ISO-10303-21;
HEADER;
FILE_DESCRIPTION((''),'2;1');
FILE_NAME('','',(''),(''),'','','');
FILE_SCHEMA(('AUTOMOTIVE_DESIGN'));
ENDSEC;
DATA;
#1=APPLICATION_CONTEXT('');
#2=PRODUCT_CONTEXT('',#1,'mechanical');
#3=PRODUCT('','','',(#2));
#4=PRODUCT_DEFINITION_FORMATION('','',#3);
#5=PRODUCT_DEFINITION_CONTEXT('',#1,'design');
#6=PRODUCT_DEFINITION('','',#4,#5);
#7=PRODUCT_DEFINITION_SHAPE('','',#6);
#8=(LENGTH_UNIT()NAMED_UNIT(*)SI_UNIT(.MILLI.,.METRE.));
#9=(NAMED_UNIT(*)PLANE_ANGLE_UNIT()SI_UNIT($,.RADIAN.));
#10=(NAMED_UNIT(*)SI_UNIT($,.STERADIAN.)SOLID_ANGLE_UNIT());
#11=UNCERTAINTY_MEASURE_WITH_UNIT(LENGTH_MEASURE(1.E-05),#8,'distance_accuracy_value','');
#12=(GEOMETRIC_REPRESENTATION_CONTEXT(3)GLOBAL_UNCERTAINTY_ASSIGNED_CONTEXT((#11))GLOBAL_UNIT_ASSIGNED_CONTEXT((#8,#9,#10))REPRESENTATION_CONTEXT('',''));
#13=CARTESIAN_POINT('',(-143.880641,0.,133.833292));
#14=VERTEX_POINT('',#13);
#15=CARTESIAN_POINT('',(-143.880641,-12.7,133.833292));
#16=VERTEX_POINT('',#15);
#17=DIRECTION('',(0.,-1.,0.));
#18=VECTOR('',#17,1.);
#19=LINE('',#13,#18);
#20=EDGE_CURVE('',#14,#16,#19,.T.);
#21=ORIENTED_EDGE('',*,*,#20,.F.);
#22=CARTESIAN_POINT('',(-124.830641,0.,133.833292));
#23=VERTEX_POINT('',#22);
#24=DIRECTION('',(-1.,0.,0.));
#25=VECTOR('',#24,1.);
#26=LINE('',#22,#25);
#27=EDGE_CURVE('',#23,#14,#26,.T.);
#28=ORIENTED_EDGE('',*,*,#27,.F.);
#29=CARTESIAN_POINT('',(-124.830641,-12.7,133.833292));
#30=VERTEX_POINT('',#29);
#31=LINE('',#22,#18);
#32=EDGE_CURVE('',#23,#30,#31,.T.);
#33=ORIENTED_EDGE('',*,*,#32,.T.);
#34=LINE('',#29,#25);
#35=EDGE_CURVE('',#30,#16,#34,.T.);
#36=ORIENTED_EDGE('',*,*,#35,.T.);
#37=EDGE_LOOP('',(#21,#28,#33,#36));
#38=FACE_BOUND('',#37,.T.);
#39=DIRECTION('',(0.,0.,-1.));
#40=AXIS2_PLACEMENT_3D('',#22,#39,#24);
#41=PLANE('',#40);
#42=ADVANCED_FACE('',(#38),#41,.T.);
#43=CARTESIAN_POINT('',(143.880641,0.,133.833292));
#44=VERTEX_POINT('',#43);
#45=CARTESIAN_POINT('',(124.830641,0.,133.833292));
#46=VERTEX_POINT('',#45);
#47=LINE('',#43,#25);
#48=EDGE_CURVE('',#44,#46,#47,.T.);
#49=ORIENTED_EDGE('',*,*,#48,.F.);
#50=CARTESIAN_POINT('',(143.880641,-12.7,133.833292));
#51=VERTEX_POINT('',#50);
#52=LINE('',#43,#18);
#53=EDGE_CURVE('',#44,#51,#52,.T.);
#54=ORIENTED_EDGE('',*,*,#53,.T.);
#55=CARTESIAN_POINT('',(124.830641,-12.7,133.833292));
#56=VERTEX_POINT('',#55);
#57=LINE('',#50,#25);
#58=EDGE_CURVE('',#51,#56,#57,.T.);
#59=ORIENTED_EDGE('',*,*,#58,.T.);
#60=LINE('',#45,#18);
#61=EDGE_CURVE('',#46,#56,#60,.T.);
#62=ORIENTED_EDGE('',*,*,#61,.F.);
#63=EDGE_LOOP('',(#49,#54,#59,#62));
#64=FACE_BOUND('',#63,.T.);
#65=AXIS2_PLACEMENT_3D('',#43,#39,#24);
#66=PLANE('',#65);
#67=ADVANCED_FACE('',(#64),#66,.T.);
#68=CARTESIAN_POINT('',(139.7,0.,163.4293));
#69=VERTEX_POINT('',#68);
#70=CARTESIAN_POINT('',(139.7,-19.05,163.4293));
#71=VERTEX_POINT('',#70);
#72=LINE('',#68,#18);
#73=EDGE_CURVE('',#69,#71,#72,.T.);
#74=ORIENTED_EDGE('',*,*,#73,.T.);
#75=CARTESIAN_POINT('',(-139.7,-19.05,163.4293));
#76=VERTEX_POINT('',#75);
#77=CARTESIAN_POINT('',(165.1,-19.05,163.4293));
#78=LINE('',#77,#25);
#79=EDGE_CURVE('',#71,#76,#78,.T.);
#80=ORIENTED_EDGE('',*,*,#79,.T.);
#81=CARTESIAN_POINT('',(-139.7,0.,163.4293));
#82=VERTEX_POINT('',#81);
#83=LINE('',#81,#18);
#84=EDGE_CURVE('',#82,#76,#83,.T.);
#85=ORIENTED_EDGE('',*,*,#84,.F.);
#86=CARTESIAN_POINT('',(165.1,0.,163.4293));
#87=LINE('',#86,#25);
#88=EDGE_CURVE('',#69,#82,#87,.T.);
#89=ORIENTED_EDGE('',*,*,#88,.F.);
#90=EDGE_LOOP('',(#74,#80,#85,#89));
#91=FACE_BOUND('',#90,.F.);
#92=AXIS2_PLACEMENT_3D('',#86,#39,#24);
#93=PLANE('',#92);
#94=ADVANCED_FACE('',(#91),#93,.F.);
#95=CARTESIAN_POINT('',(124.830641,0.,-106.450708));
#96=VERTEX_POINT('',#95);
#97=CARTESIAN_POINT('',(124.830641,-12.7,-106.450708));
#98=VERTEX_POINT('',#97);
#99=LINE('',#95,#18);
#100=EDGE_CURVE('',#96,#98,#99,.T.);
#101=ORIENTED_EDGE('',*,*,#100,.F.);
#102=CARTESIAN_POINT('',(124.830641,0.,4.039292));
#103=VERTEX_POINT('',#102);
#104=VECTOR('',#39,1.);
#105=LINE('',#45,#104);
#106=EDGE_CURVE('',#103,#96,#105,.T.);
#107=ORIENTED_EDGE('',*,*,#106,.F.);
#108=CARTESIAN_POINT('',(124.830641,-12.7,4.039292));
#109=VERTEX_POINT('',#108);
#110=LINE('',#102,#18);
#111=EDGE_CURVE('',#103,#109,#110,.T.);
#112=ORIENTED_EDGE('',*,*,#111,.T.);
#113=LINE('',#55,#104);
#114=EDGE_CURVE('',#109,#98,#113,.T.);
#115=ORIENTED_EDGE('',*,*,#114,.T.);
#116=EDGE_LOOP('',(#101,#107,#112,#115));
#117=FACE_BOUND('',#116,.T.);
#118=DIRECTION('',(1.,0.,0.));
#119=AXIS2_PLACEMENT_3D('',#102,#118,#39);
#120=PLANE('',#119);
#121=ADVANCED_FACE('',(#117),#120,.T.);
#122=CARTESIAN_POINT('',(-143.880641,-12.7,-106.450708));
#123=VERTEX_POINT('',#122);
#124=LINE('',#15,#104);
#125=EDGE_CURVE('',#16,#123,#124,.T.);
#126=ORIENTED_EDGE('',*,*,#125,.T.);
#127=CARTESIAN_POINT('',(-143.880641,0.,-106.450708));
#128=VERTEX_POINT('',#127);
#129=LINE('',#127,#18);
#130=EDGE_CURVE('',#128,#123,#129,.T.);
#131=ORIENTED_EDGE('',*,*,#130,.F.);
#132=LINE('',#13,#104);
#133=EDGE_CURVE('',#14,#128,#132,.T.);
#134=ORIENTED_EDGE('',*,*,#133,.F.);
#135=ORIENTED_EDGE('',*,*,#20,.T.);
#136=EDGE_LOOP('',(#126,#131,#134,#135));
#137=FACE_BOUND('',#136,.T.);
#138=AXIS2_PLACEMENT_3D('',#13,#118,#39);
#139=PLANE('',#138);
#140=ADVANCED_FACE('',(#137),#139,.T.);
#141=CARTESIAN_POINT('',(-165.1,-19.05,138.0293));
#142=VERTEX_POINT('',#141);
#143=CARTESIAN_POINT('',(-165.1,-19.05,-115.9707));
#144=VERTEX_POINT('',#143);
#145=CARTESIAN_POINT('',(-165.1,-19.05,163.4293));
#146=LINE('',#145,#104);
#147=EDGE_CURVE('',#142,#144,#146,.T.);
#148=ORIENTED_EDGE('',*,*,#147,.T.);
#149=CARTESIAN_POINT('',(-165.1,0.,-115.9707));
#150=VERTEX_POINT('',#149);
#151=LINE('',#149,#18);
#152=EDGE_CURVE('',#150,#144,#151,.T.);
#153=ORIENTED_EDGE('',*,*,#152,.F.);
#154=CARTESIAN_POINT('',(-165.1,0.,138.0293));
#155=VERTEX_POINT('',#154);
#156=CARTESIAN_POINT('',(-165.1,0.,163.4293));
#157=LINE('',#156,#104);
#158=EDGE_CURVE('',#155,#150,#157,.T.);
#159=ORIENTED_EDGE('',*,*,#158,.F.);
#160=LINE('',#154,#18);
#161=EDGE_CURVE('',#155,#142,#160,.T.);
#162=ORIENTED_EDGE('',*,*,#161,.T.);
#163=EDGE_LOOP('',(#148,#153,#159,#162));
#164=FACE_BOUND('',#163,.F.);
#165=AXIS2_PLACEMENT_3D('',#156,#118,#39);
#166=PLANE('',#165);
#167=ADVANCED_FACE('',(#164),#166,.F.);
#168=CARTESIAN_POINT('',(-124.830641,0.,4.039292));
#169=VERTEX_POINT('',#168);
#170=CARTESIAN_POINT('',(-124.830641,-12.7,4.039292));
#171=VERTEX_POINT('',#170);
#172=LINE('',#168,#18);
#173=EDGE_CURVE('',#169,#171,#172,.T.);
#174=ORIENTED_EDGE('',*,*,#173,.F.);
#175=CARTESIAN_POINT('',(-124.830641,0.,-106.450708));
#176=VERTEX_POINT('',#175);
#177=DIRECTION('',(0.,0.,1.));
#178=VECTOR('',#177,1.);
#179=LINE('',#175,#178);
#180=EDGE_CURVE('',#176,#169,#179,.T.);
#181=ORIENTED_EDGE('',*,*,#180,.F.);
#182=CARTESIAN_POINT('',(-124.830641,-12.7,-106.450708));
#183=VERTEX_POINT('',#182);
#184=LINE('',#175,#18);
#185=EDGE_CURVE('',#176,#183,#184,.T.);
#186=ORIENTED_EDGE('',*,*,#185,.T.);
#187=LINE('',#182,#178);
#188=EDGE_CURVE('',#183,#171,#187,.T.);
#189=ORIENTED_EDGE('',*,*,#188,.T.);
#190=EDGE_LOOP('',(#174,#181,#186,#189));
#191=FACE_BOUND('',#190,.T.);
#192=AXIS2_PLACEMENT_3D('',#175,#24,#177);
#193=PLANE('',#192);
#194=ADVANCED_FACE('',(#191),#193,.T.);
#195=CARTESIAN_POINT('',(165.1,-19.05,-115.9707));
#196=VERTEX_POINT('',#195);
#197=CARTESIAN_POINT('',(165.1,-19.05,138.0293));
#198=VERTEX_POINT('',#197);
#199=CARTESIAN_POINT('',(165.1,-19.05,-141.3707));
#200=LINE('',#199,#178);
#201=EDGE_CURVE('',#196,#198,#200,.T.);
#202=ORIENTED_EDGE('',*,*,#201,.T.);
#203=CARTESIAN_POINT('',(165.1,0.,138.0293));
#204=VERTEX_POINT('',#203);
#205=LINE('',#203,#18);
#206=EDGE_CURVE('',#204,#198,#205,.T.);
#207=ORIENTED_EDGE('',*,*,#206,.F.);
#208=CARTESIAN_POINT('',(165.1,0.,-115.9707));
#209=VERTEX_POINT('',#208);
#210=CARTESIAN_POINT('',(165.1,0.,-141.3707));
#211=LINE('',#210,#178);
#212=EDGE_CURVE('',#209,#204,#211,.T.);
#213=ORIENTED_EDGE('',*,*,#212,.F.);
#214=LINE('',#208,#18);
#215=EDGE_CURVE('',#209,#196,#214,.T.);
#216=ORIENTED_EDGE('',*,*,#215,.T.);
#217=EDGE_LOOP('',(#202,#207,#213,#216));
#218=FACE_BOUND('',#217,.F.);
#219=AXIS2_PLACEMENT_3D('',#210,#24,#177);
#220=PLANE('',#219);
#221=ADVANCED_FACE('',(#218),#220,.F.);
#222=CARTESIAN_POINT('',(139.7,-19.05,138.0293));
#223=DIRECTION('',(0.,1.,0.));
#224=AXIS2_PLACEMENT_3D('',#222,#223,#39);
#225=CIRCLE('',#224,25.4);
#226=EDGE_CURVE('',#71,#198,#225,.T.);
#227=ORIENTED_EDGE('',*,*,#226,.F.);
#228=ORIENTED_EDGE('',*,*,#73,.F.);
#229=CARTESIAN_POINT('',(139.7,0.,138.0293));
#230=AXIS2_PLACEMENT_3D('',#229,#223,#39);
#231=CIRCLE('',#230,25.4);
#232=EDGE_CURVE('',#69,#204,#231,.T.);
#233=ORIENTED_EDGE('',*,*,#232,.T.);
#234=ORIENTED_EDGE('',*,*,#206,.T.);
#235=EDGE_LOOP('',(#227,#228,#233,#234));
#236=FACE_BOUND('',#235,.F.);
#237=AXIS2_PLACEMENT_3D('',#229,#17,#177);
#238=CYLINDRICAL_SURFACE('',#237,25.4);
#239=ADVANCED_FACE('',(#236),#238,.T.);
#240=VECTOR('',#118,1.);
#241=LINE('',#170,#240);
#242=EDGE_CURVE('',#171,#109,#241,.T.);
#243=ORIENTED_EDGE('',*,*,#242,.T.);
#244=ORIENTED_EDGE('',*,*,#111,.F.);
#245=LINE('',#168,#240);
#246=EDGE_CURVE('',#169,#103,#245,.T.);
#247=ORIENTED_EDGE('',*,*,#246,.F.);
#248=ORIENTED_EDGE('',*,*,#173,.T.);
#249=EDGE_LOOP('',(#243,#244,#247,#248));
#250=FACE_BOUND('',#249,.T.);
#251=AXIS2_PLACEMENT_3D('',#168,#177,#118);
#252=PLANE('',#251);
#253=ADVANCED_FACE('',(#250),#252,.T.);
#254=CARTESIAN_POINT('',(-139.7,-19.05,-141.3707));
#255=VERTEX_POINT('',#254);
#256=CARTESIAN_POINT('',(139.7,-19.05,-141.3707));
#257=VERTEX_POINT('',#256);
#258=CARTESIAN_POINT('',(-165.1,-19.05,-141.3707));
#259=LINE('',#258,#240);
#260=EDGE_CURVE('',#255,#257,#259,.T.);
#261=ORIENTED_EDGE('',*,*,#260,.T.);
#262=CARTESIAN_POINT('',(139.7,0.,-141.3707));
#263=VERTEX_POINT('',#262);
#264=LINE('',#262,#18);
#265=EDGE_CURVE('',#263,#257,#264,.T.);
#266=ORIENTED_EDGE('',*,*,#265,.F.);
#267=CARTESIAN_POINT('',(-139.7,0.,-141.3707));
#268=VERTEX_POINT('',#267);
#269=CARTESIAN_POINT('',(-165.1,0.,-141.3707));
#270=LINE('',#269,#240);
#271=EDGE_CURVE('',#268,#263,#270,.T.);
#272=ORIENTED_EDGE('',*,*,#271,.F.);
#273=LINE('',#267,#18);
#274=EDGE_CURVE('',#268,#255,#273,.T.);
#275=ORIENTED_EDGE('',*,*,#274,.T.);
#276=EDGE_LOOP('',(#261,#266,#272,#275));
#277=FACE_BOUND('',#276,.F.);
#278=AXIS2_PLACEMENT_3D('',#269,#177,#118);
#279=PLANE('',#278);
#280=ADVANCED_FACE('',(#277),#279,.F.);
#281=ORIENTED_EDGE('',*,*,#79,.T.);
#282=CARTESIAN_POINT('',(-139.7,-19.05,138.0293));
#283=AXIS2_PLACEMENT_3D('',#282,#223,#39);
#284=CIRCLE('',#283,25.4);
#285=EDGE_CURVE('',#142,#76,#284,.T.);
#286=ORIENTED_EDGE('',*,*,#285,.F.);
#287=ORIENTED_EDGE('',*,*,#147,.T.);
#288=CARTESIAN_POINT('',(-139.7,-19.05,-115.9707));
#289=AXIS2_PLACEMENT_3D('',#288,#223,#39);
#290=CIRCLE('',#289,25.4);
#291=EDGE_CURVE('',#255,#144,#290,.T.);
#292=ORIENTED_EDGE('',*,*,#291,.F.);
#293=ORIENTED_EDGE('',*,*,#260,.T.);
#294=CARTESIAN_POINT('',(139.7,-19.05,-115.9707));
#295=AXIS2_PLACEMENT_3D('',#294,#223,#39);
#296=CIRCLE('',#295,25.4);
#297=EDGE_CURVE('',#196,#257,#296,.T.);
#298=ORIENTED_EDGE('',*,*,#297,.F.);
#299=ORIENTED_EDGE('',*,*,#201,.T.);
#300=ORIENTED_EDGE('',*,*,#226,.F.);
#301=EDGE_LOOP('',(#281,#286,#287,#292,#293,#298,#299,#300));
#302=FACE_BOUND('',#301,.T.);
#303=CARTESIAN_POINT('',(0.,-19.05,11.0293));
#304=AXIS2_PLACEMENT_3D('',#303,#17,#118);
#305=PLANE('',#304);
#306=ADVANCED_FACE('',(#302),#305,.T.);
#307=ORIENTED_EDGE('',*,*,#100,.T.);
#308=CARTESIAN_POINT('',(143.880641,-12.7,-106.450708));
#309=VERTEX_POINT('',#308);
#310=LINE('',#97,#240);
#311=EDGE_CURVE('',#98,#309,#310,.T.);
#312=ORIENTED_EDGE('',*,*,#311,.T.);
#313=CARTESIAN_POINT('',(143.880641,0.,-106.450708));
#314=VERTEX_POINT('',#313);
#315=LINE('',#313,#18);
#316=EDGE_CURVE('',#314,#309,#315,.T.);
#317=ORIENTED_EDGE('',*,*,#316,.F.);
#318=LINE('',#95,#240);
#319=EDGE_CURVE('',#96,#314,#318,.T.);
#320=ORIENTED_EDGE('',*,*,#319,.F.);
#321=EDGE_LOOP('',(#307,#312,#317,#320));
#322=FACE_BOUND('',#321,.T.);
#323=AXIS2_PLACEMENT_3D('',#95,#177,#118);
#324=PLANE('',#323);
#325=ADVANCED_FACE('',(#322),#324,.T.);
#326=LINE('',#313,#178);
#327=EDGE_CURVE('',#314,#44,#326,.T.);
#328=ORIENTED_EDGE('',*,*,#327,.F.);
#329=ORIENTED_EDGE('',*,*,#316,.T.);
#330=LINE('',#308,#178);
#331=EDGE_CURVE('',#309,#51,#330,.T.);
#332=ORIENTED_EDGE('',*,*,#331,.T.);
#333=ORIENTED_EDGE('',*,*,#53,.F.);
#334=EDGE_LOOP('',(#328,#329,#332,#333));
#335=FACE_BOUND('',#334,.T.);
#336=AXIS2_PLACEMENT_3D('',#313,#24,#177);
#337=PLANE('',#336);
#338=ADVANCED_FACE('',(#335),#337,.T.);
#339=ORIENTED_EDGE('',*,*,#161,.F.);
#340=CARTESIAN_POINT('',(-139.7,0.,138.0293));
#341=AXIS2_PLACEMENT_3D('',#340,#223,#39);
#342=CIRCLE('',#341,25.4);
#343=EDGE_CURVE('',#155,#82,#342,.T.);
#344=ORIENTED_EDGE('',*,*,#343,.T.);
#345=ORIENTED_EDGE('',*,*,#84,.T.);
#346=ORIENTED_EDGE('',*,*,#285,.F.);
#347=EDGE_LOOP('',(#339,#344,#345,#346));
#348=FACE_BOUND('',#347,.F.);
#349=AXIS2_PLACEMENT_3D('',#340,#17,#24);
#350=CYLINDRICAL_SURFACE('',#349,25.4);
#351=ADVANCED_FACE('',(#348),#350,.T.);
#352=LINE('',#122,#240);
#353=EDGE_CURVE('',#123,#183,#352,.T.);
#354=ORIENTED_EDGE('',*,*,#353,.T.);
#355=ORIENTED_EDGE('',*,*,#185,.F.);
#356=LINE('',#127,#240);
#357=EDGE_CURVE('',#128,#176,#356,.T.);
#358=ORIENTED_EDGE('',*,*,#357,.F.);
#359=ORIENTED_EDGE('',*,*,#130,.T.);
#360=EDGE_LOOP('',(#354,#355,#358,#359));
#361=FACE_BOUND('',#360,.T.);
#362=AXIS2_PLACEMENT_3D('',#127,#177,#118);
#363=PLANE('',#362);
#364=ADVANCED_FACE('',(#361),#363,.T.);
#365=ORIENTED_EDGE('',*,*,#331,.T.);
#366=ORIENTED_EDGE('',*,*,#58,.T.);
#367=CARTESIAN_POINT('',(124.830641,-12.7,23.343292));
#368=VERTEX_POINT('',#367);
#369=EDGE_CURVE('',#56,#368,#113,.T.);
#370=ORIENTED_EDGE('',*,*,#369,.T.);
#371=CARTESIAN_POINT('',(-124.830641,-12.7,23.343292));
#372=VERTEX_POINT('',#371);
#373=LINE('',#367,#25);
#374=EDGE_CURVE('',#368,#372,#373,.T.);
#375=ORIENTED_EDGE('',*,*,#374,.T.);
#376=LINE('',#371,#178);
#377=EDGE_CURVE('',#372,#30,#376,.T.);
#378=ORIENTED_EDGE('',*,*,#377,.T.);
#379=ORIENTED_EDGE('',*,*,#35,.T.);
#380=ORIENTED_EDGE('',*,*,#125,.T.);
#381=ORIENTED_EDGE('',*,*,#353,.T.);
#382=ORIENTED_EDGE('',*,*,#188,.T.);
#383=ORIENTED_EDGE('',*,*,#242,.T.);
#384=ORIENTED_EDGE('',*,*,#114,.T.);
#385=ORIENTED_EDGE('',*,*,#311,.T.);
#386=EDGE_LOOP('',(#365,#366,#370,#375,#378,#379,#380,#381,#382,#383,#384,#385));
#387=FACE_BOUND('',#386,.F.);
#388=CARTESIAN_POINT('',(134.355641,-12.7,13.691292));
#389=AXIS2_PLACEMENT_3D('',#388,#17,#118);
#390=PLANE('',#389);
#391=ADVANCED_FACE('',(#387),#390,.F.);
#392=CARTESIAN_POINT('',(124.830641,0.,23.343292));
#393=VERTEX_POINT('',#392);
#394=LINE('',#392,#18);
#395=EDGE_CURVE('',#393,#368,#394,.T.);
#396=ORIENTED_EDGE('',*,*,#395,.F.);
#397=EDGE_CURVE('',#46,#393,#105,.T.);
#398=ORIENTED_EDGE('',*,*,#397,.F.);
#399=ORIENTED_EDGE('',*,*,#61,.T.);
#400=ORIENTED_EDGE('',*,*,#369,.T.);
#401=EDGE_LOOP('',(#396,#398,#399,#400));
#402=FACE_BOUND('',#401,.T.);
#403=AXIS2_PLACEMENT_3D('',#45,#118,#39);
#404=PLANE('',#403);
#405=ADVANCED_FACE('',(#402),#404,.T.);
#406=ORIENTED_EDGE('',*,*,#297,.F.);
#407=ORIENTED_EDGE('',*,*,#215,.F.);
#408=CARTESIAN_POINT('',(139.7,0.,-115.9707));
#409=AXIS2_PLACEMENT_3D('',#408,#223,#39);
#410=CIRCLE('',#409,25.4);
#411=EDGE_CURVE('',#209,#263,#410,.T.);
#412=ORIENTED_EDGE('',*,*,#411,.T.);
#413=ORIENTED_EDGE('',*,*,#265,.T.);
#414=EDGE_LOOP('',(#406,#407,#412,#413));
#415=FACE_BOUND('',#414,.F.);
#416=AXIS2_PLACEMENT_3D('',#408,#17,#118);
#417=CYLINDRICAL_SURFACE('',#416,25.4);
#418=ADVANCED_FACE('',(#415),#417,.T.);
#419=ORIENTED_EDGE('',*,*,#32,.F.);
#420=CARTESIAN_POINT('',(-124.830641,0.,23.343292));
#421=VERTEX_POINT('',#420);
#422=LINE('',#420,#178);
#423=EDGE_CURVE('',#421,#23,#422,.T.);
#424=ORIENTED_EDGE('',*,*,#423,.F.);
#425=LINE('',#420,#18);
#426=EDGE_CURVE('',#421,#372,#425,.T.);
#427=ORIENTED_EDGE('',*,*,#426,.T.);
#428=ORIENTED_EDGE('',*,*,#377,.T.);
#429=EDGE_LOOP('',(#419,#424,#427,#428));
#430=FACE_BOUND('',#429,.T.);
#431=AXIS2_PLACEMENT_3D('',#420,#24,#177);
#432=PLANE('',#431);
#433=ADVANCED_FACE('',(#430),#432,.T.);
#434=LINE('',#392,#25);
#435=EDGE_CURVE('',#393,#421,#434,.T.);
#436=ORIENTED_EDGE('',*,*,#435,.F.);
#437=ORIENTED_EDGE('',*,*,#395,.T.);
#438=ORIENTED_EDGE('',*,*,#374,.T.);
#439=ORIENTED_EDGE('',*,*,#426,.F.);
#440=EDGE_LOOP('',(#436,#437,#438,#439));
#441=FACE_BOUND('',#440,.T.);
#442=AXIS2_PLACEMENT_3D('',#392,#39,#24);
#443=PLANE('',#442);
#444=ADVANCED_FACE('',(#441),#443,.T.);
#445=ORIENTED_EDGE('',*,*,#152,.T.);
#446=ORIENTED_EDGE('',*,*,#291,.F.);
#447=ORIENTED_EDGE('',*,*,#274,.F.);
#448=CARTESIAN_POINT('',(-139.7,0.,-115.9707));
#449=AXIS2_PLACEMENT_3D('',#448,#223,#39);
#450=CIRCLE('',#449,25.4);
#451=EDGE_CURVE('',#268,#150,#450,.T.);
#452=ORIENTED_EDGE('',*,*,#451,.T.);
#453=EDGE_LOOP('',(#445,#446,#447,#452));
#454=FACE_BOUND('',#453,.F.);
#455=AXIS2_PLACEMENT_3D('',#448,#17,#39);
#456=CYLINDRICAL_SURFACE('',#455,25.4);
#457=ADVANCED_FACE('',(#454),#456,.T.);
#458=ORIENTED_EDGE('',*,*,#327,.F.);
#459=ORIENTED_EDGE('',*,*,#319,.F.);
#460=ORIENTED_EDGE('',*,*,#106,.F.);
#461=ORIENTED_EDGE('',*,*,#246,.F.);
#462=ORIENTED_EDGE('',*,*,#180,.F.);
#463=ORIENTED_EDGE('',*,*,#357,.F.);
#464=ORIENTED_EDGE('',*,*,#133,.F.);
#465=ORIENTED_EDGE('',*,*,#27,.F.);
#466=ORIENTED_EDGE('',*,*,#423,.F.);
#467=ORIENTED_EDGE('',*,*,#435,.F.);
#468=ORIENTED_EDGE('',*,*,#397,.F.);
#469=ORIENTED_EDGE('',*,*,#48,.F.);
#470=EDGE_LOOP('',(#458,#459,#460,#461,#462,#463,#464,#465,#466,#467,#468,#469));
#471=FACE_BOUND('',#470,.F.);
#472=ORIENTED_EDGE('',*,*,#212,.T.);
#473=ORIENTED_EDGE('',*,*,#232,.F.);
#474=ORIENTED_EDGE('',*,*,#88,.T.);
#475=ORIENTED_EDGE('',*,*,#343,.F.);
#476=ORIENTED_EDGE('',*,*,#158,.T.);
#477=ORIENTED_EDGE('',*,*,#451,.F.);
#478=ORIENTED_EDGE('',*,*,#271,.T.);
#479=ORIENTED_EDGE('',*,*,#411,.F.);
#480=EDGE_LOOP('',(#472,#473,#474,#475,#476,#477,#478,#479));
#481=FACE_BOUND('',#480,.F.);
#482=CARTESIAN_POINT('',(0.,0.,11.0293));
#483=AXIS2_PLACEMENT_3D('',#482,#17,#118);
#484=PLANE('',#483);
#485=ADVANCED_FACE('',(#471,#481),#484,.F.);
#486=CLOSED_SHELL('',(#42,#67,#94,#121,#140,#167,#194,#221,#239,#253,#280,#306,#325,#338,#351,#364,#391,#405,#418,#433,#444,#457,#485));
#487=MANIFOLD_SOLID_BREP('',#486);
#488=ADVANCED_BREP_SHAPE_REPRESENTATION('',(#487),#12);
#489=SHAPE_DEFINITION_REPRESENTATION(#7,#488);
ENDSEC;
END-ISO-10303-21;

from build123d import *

# Parameters (mm, degrees)
F1_DEPTH = 19.05
F3_DEPTH = 12.7
F4_R     = 25.4
F5_R     = 25.4
F6_R     = 25.4
F7_R     = 25.4


with BuildPart() as f1:
    # F0 (on Front) → F1 (new body)
    with BuildSketch(Plane.XZ):
        Polygon((165.1, 163.4293), (0, 163.4293), (-165.1, 163.4293), (-165.1, -141.3707), (165.1, -141.3707), align=None)
    extrude(amount=F1_DEPTH)

    # F2 (on Front) → F3 (cut)
    with BuildSketch(Plane.XZ):
        Polygon((143.880641, -106.450708), (143.880641, 13.691292), (143.880641, 133.833292), (124.830641, 133.833292), (124.830641, 23.343292), (124.830641, 13.691292), (124.830641, 4.039292), (124.830641, -106.450708), align=None)
        Polygon((124.830641, 13.691292), (124.830641, 23.343292), (-124.830641, 23.343292), (-124.830641, 13.691292), (-124.830641, 4.039292), (124.830641, 4.039292), align=None)
        Polygon((-124.830641, 13.691292), (-124.830641, 23.343292), (-124.830641, 133.833292), (-143.880641, 133.833292), (-143.880641, 13.691292), (-143.880641, -106.450708), (-124.830641, -106.450708), (-124.830641, 4.039292), align=None)
    extrude(amount=F3_DEPTH, mode=Mode.SUBTRACT)

    # F4
    f4_edges = [f1.edges().sort_by_distance(p)[0] for p in [
        (165.1, -9.525, 163.4293),
    ]]
    fillet(f4_edges, radius=F4_R)

    # F5
    f5_edges = [f1.edges().sort_by_distance(p)[0] for p in [
        (165.1, -9.525, -141.3707),
    ]]
    fillet(f5_edges, radius=F5_R)

    # F6
    f6_edges = [f1.edges().sort_by_distance(p)[0] for p in [
        (-165.1, -9.525, -141.3707),
    ]]
    fillet(f6_edges, radius=F6_R)

    # F7
    f7_edges = [f1.edges().sort_by_distance(p)[0] for p in [
        (-165.1, -9.525, 163.4293),
    ]]
    fillet(f7_edges, radius=F7_R)


solid = f1.part
